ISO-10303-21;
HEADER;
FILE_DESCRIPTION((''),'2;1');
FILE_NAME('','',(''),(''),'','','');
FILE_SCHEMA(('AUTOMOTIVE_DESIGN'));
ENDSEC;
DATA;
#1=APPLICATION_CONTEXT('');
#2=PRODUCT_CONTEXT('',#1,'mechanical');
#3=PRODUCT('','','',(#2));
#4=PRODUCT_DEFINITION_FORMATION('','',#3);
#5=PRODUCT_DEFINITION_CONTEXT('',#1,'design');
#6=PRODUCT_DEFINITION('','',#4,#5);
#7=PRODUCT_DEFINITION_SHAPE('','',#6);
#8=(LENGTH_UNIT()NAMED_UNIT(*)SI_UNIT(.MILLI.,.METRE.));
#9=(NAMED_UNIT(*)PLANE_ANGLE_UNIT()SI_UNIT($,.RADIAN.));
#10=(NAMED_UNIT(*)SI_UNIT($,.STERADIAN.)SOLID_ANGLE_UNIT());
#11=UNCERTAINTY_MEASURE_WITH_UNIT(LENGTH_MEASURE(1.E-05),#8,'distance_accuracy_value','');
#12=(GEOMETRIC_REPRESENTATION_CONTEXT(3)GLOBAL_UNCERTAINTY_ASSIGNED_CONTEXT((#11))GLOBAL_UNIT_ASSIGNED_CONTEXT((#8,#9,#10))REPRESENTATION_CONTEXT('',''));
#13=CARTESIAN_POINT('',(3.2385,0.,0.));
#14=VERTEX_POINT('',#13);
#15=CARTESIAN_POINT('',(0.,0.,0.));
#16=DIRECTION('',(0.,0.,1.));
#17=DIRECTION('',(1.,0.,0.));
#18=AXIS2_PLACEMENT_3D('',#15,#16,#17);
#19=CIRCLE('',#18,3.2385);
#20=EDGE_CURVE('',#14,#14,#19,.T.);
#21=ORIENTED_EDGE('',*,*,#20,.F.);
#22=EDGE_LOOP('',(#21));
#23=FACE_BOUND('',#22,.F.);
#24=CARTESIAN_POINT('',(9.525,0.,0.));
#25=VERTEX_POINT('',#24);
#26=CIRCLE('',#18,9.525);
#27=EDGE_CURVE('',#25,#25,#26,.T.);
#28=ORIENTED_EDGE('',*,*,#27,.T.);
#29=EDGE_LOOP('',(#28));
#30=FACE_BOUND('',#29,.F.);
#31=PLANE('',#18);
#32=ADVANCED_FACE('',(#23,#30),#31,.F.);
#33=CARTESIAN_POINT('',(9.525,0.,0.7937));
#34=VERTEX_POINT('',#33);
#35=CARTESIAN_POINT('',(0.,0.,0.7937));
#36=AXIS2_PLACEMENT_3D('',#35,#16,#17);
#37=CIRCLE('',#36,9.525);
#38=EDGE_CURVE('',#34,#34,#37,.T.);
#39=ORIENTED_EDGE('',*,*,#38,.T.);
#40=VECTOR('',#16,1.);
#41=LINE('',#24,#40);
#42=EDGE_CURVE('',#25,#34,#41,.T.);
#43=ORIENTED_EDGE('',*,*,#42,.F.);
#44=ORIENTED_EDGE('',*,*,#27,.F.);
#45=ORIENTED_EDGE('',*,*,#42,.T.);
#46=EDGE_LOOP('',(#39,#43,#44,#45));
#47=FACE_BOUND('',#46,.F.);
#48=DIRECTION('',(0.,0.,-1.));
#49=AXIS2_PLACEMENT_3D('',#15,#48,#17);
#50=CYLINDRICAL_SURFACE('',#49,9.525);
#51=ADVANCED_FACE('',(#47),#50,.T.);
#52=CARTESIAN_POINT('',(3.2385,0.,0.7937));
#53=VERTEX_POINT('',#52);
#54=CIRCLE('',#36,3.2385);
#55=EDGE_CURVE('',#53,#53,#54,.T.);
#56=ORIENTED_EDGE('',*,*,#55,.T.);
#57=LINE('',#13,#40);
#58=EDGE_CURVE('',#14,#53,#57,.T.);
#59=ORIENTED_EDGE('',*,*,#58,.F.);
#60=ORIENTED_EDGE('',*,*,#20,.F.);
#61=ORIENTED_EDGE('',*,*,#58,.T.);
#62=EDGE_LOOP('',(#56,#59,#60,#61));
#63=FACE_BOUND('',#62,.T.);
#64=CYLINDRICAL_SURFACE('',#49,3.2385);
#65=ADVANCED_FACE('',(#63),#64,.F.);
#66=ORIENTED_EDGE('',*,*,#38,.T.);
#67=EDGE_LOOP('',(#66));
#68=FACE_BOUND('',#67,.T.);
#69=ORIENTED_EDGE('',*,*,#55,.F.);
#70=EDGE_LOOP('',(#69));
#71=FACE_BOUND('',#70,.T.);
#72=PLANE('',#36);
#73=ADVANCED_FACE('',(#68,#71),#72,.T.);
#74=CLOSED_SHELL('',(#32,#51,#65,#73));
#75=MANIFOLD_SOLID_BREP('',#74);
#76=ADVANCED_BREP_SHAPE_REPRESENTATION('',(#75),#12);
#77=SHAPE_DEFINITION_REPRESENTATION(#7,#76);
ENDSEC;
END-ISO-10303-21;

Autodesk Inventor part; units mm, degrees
ref_plane "YZ Plane" through (0, 0, 0) normal (1, 0, 0) x (0, 1, 0)
ref_plane "XZ Plane" through (0, 0, 0) normal (0, 1, 0) x (-1, 0, 0)
ref_plane "XY Plane" through (0, 0, 0) normal (0, 0, 1) x (1, 0, 0)
sketch "Sketch1" plane through (0, 0, 0) normal (0, 0, 1) x (1, 0, 0)
  circle A0 centre (0, 0) radius 9.525
  circle A1 centre (0, 0) radius 3.2385
  dimension "d0" = 19.05
  dimension "d1" = 6.477
extrude "Extrusion1" add sketch "Sketch1" along normal blind 0.7937
properties part number "3D Model Washer Arm Gearbo"
